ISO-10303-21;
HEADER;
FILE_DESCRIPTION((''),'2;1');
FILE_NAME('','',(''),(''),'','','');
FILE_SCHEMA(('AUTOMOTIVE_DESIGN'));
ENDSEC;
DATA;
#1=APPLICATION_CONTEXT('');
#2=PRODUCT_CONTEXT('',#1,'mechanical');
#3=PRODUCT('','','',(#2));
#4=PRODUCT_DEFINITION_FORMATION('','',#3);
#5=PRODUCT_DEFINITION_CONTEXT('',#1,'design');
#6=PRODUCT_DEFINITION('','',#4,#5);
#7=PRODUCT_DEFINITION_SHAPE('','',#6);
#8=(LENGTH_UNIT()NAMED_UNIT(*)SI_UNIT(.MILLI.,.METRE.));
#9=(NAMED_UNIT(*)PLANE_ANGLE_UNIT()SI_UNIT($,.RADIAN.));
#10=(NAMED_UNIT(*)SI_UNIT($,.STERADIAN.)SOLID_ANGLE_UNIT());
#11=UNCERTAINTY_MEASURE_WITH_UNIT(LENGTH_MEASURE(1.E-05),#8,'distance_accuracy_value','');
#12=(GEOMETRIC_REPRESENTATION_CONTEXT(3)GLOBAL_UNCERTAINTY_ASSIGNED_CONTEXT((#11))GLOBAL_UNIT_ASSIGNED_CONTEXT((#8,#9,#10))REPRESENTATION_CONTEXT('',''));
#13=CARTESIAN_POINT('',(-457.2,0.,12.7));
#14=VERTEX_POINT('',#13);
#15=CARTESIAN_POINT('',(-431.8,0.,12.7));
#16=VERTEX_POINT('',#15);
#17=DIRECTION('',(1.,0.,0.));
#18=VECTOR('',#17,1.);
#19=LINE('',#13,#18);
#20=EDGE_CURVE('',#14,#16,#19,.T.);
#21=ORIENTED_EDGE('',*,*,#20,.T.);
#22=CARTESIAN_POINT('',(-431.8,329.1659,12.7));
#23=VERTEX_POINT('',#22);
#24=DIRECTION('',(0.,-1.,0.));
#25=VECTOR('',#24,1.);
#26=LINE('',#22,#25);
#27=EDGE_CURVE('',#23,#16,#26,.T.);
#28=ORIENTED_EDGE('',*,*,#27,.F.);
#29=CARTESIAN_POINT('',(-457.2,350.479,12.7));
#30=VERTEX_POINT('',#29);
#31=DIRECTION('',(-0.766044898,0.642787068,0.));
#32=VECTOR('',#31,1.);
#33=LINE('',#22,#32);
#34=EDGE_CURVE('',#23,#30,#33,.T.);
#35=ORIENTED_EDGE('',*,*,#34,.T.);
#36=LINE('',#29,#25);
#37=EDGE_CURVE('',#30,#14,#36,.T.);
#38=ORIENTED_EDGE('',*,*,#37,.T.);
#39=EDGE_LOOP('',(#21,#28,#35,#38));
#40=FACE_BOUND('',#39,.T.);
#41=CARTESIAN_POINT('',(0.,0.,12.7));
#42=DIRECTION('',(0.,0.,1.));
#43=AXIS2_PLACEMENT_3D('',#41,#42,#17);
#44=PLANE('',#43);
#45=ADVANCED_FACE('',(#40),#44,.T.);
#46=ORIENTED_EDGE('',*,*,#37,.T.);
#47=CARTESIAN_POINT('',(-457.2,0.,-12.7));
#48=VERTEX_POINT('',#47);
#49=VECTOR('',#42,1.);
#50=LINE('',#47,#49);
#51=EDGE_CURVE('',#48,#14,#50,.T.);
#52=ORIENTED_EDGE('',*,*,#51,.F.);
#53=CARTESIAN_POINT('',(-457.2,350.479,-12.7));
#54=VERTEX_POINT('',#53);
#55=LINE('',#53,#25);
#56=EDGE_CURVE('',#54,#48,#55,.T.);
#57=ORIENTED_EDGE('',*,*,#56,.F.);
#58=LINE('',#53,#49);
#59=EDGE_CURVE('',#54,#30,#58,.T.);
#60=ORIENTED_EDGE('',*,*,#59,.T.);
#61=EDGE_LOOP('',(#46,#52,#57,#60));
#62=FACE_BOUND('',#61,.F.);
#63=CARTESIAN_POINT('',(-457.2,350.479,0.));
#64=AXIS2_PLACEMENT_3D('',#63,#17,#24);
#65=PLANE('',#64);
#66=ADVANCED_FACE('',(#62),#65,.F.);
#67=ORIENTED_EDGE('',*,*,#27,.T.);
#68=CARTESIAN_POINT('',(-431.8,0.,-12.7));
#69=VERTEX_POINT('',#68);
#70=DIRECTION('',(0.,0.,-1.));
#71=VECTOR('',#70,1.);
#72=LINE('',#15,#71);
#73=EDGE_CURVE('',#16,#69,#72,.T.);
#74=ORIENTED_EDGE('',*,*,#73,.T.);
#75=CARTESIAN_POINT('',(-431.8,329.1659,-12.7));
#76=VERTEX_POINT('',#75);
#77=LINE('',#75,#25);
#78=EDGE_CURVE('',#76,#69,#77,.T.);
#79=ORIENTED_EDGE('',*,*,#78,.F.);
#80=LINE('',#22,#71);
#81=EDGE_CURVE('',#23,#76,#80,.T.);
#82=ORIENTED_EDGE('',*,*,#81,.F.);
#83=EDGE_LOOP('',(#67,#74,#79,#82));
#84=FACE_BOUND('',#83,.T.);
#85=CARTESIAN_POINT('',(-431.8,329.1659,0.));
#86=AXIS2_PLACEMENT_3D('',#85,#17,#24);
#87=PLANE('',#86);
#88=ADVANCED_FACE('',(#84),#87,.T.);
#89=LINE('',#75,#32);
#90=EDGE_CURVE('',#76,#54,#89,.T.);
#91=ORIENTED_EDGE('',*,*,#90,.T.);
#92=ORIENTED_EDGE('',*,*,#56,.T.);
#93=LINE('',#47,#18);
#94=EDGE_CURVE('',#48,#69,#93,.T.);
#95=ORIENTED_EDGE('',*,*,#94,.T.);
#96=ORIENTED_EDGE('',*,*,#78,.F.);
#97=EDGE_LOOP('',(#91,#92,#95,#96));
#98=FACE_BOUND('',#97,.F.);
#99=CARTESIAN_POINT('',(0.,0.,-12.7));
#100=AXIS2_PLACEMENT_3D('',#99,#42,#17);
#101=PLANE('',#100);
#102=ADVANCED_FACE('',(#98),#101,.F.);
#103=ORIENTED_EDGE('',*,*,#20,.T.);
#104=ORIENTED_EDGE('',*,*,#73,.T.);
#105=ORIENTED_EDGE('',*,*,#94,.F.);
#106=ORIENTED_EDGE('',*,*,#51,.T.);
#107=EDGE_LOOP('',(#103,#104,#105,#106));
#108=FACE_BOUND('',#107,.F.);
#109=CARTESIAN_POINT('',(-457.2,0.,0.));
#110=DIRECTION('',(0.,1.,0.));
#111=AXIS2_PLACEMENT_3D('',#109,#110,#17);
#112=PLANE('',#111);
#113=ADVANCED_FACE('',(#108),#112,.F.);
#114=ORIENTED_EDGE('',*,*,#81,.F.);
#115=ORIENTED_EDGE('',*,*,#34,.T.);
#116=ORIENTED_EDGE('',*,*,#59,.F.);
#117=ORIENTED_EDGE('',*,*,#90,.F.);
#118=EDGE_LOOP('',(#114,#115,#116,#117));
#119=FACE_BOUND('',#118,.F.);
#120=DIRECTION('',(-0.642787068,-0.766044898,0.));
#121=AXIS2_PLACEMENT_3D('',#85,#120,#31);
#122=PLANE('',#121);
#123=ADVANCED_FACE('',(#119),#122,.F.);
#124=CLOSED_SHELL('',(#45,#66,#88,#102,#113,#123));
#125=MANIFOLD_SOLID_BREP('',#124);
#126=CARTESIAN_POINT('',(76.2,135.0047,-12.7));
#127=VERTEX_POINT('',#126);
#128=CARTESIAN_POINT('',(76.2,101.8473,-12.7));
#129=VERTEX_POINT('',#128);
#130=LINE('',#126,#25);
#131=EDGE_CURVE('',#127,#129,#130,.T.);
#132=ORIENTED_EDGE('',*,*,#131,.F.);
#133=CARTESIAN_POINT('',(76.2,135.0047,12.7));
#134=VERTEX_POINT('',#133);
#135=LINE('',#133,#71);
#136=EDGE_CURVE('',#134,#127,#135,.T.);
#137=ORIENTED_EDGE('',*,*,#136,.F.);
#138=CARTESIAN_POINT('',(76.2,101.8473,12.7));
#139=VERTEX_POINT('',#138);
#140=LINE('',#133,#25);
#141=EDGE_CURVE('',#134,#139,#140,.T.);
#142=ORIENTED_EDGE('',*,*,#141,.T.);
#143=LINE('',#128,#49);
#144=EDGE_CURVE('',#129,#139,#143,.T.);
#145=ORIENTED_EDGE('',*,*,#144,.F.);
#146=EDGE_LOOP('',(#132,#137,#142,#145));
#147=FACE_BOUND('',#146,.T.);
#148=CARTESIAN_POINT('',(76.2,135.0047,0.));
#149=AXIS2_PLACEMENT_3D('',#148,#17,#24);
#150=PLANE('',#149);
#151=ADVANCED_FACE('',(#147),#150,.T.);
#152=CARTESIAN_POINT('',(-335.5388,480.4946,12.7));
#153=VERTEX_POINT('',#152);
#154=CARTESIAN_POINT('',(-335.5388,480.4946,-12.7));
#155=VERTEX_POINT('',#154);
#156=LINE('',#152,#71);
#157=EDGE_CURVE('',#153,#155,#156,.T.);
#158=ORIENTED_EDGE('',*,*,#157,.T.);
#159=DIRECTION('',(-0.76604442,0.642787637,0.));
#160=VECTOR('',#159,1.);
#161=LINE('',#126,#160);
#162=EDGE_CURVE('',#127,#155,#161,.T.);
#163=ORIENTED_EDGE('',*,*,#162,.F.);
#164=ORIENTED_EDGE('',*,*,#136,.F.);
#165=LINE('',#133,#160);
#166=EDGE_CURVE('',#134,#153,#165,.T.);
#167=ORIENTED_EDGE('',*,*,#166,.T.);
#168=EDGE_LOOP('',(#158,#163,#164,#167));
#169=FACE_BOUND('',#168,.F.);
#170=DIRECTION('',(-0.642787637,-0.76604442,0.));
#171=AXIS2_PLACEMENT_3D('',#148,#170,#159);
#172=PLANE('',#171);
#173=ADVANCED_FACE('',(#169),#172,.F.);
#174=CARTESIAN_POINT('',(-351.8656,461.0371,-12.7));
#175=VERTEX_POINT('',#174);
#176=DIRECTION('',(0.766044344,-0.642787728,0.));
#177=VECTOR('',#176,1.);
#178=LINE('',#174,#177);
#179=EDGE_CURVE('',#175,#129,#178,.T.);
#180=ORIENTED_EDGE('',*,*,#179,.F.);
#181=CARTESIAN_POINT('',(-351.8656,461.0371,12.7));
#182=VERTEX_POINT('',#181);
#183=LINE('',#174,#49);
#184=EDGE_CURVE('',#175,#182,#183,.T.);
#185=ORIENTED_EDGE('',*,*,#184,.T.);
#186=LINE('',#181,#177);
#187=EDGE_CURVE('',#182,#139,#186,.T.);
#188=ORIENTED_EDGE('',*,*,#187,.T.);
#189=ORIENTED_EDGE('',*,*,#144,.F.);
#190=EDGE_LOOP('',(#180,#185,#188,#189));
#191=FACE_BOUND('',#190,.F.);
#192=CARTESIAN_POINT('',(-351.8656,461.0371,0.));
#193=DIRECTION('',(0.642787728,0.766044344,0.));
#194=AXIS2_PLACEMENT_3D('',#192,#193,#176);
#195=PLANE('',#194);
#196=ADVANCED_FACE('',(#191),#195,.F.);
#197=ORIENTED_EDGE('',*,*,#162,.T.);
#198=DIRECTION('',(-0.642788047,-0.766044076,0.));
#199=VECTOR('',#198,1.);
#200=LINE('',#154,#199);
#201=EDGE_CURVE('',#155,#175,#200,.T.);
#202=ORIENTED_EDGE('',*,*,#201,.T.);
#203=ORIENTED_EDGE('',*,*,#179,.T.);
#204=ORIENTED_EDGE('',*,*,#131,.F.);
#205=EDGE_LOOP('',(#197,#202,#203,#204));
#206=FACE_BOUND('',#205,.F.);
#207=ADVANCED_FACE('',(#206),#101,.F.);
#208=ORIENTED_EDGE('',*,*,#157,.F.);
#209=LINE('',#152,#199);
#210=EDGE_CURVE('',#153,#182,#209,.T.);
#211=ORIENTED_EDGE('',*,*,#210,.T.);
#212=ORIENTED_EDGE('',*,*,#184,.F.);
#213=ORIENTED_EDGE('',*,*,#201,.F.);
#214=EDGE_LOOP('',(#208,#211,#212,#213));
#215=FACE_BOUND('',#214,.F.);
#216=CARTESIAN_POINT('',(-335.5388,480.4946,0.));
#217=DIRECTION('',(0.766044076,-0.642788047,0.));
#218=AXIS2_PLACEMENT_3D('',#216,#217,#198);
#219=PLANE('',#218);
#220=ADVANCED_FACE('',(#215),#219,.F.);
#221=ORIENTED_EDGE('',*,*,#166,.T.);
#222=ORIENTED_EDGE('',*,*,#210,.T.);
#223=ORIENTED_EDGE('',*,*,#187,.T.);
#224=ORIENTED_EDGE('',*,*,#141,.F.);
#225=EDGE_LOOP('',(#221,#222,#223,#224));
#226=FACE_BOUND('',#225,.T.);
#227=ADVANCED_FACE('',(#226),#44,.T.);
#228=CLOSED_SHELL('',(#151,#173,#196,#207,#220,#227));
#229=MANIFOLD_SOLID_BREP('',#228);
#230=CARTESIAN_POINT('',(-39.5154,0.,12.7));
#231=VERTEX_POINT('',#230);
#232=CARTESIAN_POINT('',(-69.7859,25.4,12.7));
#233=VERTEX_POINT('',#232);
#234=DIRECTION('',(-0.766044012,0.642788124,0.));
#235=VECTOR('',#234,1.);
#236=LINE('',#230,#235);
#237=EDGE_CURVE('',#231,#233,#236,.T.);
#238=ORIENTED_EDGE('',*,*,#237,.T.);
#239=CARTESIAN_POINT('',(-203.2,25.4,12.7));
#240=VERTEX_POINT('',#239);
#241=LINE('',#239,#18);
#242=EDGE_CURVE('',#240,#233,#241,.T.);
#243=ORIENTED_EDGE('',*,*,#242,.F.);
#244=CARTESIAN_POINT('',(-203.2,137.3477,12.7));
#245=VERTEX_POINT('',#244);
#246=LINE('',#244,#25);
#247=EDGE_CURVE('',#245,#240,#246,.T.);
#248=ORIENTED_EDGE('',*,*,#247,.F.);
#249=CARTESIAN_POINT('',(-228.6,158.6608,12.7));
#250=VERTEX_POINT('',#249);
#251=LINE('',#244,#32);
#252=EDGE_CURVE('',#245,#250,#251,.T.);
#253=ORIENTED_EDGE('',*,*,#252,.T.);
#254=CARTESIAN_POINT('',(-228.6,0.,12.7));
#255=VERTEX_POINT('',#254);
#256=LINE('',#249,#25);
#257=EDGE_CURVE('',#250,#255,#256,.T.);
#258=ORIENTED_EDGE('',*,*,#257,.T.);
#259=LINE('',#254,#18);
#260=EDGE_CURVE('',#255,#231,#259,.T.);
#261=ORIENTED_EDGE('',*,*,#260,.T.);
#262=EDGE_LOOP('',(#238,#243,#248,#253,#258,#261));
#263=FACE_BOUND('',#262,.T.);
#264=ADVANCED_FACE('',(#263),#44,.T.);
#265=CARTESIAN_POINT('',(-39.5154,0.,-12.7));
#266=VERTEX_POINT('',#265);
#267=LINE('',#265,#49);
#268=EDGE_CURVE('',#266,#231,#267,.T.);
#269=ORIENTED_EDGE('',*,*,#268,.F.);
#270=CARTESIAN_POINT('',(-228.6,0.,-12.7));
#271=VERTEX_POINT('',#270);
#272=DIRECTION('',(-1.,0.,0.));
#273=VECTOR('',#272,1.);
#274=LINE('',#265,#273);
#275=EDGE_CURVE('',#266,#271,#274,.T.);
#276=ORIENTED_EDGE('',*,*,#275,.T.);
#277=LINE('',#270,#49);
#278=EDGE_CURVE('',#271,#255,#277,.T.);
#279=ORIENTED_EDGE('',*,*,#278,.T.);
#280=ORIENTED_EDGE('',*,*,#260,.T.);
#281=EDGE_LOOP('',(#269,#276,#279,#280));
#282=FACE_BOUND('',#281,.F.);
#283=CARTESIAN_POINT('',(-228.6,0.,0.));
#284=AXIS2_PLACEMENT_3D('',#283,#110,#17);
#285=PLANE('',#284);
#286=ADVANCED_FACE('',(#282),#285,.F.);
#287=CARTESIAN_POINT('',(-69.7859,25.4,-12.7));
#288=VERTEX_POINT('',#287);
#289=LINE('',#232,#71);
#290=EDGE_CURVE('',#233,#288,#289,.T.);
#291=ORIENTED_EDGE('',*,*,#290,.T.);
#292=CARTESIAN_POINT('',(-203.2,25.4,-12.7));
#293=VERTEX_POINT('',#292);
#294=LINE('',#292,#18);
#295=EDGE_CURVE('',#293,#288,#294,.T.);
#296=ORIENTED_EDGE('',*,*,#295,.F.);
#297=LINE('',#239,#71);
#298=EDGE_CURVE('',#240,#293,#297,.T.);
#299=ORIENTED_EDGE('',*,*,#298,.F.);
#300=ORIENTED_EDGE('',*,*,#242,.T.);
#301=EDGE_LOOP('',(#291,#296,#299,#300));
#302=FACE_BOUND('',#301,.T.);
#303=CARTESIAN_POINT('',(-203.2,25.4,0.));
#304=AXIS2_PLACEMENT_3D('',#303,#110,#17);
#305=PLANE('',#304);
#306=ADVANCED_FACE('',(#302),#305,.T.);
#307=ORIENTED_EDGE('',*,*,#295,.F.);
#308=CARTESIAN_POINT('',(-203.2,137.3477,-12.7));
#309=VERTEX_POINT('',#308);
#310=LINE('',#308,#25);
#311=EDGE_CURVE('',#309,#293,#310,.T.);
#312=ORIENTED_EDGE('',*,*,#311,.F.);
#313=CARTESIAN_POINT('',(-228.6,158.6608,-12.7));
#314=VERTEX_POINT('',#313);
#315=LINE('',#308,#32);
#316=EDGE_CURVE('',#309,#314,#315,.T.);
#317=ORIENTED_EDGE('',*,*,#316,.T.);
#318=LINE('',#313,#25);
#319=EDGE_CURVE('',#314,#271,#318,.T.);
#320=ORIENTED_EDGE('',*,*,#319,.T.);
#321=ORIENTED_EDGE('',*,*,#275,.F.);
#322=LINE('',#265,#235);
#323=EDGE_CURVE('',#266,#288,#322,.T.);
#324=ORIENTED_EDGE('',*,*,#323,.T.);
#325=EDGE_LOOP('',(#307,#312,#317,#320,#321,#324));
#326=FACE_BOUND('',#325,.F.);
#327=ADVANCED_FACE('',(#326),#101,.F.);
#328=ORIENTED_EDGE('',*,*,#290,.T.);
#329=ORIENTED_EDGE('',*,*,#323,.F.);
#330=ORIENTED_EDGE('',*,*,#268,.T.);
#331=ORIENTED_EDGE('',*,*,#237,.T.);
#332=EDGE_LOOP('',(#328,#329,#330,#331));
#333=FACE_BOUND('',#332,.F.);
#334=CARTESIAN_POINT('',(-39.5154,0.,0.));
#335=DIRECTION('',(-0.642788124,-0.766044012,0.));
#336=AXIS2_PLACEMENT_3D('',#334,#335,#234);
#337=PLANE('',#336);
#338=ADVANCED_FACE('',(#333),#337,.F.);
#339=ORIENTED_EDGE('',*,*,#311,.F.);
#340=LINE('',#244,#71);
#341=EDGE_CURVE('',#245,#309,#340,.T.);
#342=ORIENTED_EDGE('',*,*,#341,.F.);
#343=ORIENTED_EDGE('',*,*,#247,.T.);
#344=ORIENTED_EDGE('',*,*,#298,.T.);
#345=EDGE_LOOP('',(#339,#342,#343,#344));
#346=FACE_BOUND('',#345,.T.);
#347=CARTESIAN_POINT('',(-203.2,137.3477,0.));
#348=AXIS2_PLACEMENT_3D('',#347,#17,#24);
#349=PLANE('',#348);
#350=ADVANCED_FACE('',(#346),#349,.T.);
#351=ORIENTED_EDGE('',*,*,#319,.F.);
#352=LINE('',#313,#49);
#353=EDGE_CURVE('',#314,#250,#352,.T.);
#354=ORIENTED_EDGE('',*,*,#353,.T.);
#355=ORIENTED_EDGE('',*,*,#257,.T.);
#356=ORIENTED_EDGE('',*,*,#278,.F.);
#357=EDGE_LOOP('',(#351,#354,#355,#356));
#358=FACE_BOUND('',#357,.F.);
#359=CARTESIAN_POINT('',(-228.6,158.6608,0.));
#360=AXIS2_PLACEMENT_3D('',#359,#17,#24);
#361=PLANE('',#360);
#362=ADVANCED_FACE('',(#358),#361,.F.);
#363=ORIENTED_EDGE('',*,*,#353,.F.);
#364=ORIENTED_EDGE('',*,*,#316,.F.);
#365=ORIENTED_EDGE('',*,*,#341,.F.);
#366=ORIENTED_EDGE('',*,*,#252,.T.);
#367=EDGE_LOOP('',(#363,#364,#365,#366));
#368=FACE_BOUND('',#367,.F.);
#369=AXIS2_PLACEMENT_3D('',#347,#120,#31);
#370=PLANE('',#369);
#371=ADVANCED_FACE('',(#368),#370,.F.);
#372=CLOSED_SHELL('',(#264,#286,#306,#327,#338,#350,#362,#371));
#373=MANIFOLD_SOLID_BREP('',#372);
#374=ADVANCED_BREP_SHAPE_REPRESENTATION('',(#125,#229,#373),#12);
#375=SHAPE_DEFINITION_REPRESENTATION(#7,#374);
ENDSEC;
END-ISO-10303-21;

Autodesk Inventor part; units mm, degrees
ref_plane "YZ Plane" through (0, 0, 0) normal (1, 0, 0) x (0, 1, 0)
ref_plane "XZ Plane" through (0, 0, 0) normal (0, 1, 0) x (-1, 0, 0)
ref_plane "XY Plane" through (0, 0, 0) normal (0, 0, 1) x (1, 0, 0)
sketch "Sketch1" plane through (0, 0, 0) normal (0, 0, 1) x (1, 0, 0)
  line L0 (0, 0) -> (-228.6, 0) construction
  line L1 (0, 0) -> (-39.5154, 0)
  line L2 (-457.2, 350.479) -> (-457.2, 0)
  line L3 (-431.8, 329.1659) -> (-431.8, 0)
  line L4 (-228.6, 158.6608) -> (-228.6, 0)
  line L5 (-203.2, 137.3477) -> (-203.2, 0)
  line L6 (-457.2, 0) -> (-431.8, 0)
  line L7 (-228.6, 0) -> (-203.2, 0)
  line L8 (-203.2, 0) -> (-39.5154, 0)
  line L9 (-203.2, 25.4) -> (-69.7859, 25.4)
  line L10 (-351.8656, 461.0371) -> (76.2, 101.8473)
  line L11 (76.2, 135.0047) -> (-335.5388, 480.4946)
  line L12 (-335.5388, 480.4946) -> (-351.8656, 461.0371)
  line L13 (0, 0) -> (0, 391.6762) construction
  line L14 (76.2, 135.0047) -> (76.2, 101.8473)
  line L15 (-431.8, 329.1659) -> (-457.2, 350.479)
  line L16 (-39.5154, 0) -> (-69.7859, 25.4)
  line L17 (-203.2, 137.3477) -> (-228.6, 158.6608)
  dimension "d19" = 25.4
  dimension "d21" = 25.4
  dimension "d27" = 25.4
  dimension "d29" = 76.2
  dimension "d30" = 558.8
  dimension "d31" = 25.4
  dimension "d34" = 350.479
  dimension "d35" = 158.6608
  dimension "d36" = 163.6846
extrude "Extrusion1" add sketch "Sketch1" along normal mid plane 25.4
properties part number "newFrame1x2pieces"
